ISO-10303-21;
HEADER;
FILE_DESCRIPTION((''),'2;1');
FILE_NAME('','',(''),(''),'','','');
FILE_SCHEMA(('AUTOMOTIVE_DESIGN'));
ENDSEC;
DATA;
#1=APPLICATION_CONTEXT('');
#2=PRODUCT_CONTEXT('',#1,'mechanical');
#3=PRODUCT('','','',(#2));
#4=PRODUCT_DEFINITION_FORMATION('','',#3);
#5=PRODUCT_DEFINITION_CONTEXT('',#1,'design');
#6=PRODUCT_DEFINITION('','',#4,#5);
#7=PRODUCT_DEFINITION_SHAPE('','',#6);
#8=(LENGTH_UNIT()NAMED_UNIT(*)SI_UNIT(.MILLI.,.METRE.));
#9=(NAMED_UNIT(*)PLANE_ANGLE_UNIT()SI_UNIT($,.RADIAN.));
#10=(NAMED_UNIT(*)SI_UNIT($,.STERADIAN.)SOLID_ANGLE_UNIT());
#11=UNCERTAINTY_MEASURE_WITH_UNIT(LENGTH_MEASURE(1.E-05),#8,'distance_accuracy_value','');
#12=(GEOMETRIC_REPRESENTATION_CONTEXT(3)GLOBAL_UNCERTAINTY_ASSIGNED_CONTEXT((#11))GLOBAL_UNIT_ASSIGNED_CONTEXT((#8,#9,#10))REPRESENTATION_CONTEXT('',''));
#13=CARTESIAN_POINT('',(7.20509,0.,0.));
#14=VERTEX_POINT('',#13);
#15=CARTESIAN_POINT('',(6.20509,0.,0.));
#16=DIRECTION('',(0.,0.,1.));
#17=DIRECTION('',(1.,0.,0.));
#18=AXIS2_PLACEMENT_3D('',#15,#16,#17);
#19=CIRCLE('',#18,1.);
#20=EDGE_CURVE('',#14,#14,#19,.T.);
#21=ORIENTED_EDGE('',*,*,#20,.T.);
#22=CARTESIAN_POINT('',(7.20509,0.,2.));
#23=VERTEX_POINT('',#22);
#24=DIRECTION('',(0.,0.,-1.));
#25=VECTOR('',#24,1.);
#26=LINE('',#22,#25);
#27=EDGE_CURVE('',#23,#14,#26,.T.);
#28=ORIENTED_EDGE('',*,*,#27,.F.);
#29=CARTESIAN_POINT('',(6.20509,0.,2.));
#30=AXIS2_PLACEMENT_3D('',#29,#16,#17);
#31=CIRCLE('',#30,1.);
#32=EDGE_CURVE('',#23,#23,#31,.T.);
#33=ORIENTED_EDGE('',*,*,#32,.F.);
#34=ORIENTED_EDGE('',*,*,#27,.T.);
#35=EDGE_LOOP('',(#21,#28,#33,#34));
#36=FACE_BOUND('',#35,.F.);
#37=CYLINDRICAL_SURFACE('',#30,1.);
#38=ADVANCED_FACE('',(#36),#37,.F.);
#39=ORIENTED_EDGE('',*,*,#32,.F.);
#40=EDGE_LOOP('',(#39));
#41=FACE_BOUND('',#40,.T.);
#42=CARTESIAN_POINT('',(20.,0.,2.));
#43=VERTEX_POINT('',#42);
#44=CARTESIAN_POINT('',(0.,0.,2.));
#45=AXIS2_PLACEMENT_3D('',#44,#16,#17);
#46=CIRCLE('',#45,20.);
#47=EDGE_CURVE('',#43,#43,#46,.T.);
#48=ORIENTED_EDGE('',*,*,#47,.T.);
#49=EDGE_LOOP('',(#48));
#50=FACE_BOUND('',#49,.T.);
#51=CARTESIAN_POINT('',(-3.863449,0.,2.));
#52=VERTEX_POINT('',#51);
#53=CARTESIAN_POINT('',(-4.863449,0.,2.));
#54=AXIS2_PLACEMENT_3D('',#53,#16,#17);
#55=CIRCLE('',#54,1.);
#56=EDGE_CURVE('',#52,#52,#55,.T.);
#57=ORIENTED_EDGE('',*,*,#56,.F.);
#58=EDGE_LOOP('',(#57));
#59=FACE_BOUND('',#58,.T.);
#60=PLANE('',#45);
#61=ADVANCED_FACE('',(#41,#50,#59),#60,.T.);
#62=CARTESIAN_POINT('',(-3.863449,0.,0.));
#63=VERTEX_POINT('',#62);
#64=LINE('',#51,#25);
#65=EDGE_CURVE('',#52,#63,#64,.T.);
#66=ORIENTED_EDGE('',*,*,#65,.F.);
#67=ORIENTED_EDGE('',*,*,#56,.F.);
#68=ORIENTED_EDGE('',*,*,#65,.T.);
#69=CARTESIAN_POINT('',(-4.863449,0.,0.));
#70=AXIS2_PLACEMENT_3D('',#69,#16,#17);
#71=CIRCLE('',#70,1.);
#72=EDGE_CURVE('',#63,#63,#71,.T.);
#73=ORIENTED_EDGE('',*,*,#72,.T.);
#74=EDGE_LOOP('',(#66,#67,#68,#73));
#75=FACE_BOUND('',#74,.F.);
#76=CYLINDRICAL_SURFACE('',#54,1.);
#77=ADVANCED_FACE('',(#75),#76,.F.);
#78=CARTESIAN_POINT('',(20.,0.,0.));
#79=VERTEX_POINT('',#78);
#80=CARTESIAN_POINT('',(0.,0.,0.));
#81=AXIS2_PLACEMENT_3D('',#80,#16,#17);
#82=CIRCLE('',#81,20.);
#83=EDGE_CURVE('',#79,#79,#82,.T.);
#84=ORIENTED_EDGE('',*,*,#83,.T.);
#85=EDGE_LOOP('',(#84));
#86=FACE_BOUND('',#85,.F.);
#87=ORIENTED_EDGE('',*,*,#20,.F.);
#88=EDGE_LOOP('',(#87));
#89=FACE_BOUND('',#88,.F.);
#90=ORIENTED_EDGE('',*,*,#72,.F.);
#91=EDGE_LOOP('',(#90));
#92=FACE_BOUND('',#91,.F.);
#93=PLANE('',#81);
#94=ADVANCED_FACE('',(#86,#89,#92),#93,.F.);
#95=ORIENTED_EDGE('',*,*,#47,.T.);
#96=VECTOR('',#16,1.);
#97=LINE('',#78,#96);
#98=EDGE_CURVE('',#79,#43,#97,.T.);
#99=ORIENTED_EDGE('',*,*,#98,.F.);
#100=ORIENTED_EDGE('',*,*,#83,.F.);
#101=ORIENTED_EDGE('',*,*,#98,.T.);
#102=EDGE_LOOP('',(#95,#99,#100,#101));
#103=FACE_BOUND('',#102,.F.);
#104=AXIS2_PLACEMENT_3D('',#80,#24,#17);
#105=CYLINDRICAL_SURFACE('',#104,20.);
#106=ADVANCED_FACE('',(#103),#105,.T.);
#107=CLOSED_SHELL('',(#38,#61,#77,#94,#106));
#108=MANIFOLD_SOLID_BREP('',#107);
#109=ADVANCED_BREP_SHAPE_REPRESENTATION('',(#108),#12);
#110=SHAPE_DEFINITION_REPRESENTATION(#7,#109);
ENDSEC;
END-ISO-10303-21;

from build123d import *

# Parameters (mm, degrees)
F0_R     = 20
F1_DEPTH = 2
F2_R     = 1
F3_DEPTH = 25


with BuildPart() as f1:
    # F0 (on Top) → F1 (new body)
    with BuildSketch(Plane.XY):
        Circle(F0_R)
    extrude(amount=F1_DEPTH)

    # F2 (on face) → F3 (cut)
    with BuildSketch(Plane.XY.offset(2)):
        with Locations((-4.863449, 0)):
            Circle(F2_R)
        with Locations((6.20509, 0)):
            Circle(F2_R)
    extrude(amount=-F3_DEPTH, mode=Mode.SUBTRACT)


solid = f1.part
